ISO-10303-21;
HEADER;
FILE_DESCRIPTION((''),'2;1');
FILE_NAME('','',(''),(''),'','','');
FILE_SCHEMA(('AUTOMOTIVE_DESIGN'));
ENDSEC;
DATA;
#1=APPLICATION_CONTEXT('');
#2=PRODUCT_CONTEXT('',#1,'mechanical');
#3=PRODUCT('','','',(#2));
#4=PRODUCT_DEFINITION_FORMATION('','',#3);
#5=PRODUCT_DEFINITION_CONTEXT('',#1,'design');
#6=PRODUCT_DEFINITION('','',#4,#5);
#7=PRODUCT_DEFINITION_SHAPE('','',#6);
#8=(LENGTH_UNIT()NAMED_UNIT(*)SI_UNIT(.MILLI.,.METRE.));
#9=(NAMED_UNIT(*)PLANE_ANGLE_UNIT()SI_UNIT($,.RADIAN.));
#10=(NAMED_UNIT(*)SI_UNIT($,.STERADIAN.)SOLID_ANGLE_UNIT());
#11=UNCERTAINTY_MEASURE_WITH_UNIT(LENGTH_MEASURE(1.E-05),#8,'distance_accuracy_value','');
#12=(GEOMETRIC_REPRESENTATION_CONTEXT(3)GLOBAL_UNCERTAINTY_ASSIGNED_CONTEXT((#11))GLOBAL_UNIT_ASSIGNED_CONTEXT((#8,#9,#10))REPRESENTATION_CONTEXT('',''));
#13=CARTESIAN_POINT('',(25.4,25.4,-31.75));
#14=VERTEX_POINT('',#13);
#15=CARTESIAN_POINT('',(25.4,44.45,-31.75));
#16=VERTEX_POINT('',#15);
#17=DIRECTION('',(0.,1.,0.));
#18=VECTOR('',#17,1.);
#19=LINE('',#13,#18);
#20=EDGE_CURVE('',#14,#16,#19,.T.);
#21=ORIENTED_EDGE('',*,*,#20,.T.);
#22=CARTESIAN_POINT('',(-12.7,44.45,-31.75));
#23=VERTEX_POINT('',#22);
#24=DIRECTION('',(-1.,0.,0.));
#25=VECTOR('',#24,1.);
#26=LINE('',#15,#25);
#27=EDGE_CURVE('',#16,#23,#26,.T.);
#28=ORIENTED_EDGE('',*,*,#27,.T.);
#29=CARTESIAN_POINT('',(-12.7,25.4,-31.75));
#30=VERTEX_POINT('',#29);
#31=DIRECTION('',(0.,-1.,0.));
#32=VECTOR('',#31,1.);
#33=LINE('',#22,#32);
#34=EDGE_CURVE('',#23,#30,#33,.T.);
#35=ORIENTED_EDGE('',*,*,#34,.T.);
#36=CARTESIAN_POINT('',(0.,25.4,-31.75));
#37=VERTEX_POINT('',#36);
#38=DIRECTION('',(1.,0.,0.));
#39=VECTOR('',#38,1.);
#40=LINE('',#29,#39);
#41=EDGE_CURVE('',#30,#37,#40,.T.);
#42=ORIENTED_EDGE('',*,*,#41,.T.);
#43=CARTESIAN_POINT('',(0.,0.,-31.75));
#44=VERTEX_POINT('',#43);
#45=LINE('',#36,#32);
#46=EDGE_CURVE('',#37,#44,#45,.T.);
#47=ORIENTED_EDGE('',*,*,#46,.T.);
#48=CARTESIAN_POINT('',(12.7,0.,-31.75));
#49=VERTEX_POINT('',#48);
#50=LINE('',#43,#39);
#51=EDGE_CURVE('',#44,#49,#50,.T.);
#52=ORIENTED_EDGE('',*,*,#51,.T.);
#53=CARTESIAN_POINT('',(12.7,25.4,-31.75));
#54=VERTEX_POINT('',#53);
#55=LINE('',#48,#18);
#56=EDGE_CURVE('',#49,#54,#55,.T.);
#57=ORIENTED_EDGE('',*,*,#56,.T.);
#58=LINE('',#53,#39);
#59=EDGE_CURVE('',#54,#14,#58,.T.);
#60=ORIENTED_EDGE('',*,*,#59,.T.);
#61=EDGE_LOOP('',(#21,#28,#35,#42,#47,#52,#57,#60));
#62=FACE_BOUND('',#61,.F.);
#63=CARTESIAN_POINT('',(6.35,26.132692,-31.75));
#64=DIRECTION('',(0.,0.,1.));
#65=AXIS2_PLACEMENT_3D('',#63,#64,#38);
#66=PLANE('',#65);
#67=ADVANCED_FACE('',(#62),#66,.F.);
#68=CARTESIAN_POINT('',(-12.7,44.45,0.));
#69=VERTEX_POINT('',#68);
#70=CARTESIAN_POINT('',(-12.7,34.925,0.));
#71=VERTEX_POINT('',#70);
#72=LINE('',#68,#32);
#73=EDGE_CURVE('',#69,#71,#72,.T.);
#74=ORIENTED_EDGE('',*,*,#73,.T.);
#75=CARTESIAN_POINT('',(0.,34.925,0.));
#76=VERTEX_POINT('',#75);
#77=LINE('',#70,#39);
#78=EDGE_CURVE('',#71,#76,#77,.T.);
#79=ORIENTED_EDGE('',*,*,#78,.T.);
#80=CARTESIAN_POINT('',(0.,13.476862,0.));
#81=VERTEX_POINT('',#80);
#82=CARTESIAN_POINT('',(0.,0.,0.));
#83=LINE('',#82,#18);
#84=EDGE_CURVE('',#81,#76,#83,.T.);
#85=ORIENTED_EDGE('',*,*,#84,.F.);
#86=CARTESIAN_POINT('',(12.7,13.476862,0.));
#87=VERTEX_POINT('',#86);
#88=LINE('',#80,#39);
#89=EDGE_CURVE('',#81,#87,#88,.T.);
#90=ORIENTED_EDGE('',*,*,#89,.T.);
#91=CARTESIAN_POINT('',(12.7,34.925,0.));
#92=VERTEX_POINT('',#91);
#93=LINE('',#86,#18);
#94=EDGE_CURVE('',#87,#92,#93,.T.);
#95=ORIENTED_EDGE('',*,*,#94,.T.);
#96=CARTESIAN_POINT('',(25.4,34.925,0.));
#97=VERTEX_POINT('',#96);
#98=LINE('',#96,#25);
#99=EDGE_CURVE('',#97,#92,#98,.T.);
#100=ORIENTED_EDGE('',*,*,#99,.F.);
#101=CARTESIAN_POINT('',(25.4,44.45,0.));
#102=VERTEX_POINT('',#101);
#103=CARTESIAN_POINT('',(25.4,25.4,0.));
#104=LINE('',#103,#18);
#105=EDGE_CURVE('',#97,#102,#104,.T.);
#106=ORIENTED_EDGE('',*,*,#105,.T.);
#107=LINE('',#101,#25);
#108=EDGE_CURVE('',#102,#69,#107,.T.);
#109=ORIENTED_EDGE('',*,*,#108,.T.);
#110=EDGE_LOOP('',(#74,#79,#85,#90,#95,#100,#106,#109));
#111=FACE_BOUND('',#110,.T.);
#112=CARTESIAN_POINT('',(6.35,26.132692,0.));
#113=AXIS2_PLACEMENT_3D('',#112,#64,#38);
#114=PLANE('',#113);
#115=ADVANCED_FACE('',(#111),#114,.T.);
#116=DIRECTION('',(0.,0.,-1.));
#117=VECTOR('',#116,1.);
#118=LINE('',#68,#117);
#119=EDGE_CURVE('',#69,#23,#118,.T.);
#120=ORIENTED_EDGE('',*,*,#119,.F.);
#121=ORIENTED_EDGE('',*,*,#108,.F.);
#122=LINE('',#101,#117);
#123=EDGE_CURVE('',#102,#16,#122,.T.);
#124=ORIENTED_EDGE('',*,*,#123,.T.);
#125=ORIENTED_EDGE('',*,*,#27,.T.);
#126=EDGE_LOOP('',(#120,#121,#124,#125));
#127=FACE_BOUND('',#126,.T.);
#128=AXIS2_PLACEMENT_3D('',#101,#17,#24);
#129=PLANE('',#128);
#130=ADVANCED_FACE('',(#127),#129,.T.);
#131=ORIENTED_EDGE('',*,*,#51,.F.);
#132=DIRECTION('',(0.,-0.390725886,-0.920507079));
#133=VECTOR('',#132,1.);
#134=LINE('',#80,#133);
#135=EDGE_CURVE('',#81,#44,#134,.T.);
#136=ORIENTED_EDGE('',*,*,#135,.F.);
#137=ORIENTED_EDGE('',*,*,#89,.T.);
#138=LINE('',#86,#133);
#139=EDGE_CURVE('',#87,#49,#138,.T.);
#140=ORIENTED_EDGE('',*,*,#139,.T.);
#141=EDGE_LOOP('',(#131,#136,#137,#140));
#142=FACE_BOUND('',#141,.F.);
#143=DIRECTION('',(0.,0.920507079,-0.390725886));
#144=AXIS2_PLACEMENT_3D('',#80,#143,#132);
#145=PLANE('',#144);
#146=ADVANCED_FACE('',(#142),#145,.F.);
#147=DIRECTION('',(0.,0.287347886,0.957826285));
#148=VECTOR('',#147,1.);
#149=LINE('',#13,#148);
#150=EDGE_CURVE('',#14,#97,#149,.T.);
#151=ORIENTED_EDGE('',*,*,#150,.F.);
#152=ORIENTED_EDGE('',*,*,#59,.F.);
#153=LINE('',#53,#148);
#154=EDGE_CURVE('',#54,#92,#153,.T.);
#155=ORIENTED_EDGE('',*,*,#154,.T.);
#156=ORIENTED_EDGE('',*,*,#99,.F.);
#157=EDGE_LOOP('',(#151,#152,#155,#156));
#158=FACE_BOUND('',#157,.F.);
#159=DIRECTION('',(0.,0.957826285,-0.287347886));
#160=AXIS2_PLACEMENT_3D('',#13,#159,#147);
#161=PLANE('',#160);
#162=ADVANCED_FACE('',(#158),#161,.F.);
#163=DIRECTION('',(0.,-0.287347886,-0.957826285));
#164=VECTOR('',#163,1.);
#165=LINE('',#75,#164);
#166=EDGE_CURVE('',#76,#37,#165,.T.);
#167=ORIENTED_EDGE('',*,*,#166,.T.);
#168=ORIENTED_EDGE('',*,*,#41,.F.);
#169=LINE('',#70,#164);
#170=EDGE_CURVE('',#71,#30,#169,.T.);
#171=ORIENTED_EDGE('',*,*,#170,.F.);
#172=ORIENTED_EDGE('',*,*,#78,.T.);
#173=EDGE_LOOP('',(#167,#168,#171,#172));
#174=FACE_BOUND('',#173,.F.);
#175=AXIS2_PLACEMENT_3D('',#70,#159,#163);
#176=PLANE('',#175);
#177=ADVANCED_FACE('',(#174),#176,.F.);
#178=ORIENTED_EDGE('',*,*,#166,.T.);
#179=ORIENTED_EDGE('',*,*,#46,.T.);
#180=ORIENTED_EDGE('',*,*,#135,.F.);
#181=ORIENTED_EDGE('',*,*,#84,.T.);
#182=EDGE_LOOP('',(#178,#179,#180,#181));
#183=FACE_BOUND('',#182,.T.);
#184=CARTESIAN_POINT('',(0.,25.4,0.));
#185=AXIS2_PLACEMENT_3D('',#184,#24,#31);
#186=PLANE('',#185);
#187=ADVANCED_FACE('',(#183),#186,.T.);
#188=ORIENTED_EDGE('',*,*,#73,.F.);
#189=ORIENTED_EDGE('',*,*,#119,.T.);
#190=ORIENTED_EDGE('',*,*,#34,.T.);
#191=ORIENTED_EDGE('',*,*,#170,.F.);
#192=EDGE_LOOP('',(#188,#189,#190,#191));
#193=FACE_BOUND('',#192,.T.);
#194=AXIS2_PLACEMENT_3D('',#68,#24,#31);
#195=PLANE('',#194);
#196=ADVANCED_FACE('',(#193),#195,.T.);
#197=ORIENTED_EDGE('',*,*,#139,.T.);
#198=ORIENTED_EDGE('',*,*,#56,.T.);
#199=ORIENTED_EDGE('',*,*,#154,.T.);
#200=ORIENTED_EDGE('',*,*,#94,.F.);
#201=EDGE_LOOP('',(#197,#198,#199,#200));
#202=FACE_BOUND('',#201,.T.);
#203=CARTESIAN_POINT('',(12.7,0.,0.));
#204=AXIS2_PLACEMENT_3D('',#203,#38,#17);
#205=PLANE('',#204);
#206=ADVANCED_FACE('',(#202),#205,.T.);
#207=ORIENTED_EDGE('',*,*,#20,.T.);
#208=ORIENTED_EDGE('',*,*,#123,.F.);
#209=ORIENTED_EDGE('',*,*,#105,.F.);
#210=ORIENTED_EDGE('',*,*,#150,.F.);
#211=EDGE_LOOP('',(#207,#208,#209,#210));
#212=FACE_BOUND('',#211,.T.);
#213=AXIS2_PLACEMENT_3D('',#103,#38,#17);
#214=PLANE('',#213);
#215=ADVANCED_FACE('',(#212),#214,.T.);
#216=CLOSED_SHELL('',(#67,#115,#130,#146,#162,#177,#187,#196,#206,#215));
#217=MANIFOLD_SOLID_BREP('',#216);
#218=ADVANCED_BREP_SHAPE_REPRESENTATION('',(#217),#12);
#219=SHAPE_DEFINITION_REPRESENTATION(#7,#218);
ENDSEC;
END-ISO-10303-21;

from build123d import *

# Parameters (mm, degrees)
F1_DEPTH = 31.75
F3_DEPTH = 12.7
F5_DEPTH = 12.7
F7_DEPTH = 12.7


with BuildPart() as f1:
    # F0 (on Top) → F1 (new body)
    with BuildSketch(Plane.XY):
        Polygon((0, 25.4), (0, 0), (12.7, 0), (12.7, 25.4), (25.4, 25.4), (25.4, 44.45), (-12.7, 44.45), (-12.7, 25.4), align=None)
    extrude(amount=-F1_DEPTH)

    # F2 (on face) → F3 (cut)
    with BuildSketch(Plane(origin=(-12.7, 0, 0), x_dir=(0, -1, 0), z_dir=(-1, 0, 0))):
        Polygon((-34.925, 0), (-25.4, -31.75), (-25.4, 0), align=None)
    extrude(amount=-F3_DEPTH, mode=Mode.SUBTRACT)

    # F4 (on face) → F5 (cut)
    with BuildSketch(Plane(origin=(0, 0, 0), x_dir=(0, -1, 0), z_dir=(-1, 0, 0))):
        Polygon((-13.476862, 0), (0, -31.75), (0, 0), align=None)
    extrude(amount=-F5_DEPTH, mode=Mode.SUBTRACT)

    # F6 (on face) → F7 (cut)
    with BuildSketch(Plane.YZ.offset(25.4)):
        Polygon((25.4, -31.75), (34.925, 0), (25.4, 0), align=None)
    extrude(amount=-F7_DEPTH, mode=Mode.SUBTRACT)


solid = f1.part
